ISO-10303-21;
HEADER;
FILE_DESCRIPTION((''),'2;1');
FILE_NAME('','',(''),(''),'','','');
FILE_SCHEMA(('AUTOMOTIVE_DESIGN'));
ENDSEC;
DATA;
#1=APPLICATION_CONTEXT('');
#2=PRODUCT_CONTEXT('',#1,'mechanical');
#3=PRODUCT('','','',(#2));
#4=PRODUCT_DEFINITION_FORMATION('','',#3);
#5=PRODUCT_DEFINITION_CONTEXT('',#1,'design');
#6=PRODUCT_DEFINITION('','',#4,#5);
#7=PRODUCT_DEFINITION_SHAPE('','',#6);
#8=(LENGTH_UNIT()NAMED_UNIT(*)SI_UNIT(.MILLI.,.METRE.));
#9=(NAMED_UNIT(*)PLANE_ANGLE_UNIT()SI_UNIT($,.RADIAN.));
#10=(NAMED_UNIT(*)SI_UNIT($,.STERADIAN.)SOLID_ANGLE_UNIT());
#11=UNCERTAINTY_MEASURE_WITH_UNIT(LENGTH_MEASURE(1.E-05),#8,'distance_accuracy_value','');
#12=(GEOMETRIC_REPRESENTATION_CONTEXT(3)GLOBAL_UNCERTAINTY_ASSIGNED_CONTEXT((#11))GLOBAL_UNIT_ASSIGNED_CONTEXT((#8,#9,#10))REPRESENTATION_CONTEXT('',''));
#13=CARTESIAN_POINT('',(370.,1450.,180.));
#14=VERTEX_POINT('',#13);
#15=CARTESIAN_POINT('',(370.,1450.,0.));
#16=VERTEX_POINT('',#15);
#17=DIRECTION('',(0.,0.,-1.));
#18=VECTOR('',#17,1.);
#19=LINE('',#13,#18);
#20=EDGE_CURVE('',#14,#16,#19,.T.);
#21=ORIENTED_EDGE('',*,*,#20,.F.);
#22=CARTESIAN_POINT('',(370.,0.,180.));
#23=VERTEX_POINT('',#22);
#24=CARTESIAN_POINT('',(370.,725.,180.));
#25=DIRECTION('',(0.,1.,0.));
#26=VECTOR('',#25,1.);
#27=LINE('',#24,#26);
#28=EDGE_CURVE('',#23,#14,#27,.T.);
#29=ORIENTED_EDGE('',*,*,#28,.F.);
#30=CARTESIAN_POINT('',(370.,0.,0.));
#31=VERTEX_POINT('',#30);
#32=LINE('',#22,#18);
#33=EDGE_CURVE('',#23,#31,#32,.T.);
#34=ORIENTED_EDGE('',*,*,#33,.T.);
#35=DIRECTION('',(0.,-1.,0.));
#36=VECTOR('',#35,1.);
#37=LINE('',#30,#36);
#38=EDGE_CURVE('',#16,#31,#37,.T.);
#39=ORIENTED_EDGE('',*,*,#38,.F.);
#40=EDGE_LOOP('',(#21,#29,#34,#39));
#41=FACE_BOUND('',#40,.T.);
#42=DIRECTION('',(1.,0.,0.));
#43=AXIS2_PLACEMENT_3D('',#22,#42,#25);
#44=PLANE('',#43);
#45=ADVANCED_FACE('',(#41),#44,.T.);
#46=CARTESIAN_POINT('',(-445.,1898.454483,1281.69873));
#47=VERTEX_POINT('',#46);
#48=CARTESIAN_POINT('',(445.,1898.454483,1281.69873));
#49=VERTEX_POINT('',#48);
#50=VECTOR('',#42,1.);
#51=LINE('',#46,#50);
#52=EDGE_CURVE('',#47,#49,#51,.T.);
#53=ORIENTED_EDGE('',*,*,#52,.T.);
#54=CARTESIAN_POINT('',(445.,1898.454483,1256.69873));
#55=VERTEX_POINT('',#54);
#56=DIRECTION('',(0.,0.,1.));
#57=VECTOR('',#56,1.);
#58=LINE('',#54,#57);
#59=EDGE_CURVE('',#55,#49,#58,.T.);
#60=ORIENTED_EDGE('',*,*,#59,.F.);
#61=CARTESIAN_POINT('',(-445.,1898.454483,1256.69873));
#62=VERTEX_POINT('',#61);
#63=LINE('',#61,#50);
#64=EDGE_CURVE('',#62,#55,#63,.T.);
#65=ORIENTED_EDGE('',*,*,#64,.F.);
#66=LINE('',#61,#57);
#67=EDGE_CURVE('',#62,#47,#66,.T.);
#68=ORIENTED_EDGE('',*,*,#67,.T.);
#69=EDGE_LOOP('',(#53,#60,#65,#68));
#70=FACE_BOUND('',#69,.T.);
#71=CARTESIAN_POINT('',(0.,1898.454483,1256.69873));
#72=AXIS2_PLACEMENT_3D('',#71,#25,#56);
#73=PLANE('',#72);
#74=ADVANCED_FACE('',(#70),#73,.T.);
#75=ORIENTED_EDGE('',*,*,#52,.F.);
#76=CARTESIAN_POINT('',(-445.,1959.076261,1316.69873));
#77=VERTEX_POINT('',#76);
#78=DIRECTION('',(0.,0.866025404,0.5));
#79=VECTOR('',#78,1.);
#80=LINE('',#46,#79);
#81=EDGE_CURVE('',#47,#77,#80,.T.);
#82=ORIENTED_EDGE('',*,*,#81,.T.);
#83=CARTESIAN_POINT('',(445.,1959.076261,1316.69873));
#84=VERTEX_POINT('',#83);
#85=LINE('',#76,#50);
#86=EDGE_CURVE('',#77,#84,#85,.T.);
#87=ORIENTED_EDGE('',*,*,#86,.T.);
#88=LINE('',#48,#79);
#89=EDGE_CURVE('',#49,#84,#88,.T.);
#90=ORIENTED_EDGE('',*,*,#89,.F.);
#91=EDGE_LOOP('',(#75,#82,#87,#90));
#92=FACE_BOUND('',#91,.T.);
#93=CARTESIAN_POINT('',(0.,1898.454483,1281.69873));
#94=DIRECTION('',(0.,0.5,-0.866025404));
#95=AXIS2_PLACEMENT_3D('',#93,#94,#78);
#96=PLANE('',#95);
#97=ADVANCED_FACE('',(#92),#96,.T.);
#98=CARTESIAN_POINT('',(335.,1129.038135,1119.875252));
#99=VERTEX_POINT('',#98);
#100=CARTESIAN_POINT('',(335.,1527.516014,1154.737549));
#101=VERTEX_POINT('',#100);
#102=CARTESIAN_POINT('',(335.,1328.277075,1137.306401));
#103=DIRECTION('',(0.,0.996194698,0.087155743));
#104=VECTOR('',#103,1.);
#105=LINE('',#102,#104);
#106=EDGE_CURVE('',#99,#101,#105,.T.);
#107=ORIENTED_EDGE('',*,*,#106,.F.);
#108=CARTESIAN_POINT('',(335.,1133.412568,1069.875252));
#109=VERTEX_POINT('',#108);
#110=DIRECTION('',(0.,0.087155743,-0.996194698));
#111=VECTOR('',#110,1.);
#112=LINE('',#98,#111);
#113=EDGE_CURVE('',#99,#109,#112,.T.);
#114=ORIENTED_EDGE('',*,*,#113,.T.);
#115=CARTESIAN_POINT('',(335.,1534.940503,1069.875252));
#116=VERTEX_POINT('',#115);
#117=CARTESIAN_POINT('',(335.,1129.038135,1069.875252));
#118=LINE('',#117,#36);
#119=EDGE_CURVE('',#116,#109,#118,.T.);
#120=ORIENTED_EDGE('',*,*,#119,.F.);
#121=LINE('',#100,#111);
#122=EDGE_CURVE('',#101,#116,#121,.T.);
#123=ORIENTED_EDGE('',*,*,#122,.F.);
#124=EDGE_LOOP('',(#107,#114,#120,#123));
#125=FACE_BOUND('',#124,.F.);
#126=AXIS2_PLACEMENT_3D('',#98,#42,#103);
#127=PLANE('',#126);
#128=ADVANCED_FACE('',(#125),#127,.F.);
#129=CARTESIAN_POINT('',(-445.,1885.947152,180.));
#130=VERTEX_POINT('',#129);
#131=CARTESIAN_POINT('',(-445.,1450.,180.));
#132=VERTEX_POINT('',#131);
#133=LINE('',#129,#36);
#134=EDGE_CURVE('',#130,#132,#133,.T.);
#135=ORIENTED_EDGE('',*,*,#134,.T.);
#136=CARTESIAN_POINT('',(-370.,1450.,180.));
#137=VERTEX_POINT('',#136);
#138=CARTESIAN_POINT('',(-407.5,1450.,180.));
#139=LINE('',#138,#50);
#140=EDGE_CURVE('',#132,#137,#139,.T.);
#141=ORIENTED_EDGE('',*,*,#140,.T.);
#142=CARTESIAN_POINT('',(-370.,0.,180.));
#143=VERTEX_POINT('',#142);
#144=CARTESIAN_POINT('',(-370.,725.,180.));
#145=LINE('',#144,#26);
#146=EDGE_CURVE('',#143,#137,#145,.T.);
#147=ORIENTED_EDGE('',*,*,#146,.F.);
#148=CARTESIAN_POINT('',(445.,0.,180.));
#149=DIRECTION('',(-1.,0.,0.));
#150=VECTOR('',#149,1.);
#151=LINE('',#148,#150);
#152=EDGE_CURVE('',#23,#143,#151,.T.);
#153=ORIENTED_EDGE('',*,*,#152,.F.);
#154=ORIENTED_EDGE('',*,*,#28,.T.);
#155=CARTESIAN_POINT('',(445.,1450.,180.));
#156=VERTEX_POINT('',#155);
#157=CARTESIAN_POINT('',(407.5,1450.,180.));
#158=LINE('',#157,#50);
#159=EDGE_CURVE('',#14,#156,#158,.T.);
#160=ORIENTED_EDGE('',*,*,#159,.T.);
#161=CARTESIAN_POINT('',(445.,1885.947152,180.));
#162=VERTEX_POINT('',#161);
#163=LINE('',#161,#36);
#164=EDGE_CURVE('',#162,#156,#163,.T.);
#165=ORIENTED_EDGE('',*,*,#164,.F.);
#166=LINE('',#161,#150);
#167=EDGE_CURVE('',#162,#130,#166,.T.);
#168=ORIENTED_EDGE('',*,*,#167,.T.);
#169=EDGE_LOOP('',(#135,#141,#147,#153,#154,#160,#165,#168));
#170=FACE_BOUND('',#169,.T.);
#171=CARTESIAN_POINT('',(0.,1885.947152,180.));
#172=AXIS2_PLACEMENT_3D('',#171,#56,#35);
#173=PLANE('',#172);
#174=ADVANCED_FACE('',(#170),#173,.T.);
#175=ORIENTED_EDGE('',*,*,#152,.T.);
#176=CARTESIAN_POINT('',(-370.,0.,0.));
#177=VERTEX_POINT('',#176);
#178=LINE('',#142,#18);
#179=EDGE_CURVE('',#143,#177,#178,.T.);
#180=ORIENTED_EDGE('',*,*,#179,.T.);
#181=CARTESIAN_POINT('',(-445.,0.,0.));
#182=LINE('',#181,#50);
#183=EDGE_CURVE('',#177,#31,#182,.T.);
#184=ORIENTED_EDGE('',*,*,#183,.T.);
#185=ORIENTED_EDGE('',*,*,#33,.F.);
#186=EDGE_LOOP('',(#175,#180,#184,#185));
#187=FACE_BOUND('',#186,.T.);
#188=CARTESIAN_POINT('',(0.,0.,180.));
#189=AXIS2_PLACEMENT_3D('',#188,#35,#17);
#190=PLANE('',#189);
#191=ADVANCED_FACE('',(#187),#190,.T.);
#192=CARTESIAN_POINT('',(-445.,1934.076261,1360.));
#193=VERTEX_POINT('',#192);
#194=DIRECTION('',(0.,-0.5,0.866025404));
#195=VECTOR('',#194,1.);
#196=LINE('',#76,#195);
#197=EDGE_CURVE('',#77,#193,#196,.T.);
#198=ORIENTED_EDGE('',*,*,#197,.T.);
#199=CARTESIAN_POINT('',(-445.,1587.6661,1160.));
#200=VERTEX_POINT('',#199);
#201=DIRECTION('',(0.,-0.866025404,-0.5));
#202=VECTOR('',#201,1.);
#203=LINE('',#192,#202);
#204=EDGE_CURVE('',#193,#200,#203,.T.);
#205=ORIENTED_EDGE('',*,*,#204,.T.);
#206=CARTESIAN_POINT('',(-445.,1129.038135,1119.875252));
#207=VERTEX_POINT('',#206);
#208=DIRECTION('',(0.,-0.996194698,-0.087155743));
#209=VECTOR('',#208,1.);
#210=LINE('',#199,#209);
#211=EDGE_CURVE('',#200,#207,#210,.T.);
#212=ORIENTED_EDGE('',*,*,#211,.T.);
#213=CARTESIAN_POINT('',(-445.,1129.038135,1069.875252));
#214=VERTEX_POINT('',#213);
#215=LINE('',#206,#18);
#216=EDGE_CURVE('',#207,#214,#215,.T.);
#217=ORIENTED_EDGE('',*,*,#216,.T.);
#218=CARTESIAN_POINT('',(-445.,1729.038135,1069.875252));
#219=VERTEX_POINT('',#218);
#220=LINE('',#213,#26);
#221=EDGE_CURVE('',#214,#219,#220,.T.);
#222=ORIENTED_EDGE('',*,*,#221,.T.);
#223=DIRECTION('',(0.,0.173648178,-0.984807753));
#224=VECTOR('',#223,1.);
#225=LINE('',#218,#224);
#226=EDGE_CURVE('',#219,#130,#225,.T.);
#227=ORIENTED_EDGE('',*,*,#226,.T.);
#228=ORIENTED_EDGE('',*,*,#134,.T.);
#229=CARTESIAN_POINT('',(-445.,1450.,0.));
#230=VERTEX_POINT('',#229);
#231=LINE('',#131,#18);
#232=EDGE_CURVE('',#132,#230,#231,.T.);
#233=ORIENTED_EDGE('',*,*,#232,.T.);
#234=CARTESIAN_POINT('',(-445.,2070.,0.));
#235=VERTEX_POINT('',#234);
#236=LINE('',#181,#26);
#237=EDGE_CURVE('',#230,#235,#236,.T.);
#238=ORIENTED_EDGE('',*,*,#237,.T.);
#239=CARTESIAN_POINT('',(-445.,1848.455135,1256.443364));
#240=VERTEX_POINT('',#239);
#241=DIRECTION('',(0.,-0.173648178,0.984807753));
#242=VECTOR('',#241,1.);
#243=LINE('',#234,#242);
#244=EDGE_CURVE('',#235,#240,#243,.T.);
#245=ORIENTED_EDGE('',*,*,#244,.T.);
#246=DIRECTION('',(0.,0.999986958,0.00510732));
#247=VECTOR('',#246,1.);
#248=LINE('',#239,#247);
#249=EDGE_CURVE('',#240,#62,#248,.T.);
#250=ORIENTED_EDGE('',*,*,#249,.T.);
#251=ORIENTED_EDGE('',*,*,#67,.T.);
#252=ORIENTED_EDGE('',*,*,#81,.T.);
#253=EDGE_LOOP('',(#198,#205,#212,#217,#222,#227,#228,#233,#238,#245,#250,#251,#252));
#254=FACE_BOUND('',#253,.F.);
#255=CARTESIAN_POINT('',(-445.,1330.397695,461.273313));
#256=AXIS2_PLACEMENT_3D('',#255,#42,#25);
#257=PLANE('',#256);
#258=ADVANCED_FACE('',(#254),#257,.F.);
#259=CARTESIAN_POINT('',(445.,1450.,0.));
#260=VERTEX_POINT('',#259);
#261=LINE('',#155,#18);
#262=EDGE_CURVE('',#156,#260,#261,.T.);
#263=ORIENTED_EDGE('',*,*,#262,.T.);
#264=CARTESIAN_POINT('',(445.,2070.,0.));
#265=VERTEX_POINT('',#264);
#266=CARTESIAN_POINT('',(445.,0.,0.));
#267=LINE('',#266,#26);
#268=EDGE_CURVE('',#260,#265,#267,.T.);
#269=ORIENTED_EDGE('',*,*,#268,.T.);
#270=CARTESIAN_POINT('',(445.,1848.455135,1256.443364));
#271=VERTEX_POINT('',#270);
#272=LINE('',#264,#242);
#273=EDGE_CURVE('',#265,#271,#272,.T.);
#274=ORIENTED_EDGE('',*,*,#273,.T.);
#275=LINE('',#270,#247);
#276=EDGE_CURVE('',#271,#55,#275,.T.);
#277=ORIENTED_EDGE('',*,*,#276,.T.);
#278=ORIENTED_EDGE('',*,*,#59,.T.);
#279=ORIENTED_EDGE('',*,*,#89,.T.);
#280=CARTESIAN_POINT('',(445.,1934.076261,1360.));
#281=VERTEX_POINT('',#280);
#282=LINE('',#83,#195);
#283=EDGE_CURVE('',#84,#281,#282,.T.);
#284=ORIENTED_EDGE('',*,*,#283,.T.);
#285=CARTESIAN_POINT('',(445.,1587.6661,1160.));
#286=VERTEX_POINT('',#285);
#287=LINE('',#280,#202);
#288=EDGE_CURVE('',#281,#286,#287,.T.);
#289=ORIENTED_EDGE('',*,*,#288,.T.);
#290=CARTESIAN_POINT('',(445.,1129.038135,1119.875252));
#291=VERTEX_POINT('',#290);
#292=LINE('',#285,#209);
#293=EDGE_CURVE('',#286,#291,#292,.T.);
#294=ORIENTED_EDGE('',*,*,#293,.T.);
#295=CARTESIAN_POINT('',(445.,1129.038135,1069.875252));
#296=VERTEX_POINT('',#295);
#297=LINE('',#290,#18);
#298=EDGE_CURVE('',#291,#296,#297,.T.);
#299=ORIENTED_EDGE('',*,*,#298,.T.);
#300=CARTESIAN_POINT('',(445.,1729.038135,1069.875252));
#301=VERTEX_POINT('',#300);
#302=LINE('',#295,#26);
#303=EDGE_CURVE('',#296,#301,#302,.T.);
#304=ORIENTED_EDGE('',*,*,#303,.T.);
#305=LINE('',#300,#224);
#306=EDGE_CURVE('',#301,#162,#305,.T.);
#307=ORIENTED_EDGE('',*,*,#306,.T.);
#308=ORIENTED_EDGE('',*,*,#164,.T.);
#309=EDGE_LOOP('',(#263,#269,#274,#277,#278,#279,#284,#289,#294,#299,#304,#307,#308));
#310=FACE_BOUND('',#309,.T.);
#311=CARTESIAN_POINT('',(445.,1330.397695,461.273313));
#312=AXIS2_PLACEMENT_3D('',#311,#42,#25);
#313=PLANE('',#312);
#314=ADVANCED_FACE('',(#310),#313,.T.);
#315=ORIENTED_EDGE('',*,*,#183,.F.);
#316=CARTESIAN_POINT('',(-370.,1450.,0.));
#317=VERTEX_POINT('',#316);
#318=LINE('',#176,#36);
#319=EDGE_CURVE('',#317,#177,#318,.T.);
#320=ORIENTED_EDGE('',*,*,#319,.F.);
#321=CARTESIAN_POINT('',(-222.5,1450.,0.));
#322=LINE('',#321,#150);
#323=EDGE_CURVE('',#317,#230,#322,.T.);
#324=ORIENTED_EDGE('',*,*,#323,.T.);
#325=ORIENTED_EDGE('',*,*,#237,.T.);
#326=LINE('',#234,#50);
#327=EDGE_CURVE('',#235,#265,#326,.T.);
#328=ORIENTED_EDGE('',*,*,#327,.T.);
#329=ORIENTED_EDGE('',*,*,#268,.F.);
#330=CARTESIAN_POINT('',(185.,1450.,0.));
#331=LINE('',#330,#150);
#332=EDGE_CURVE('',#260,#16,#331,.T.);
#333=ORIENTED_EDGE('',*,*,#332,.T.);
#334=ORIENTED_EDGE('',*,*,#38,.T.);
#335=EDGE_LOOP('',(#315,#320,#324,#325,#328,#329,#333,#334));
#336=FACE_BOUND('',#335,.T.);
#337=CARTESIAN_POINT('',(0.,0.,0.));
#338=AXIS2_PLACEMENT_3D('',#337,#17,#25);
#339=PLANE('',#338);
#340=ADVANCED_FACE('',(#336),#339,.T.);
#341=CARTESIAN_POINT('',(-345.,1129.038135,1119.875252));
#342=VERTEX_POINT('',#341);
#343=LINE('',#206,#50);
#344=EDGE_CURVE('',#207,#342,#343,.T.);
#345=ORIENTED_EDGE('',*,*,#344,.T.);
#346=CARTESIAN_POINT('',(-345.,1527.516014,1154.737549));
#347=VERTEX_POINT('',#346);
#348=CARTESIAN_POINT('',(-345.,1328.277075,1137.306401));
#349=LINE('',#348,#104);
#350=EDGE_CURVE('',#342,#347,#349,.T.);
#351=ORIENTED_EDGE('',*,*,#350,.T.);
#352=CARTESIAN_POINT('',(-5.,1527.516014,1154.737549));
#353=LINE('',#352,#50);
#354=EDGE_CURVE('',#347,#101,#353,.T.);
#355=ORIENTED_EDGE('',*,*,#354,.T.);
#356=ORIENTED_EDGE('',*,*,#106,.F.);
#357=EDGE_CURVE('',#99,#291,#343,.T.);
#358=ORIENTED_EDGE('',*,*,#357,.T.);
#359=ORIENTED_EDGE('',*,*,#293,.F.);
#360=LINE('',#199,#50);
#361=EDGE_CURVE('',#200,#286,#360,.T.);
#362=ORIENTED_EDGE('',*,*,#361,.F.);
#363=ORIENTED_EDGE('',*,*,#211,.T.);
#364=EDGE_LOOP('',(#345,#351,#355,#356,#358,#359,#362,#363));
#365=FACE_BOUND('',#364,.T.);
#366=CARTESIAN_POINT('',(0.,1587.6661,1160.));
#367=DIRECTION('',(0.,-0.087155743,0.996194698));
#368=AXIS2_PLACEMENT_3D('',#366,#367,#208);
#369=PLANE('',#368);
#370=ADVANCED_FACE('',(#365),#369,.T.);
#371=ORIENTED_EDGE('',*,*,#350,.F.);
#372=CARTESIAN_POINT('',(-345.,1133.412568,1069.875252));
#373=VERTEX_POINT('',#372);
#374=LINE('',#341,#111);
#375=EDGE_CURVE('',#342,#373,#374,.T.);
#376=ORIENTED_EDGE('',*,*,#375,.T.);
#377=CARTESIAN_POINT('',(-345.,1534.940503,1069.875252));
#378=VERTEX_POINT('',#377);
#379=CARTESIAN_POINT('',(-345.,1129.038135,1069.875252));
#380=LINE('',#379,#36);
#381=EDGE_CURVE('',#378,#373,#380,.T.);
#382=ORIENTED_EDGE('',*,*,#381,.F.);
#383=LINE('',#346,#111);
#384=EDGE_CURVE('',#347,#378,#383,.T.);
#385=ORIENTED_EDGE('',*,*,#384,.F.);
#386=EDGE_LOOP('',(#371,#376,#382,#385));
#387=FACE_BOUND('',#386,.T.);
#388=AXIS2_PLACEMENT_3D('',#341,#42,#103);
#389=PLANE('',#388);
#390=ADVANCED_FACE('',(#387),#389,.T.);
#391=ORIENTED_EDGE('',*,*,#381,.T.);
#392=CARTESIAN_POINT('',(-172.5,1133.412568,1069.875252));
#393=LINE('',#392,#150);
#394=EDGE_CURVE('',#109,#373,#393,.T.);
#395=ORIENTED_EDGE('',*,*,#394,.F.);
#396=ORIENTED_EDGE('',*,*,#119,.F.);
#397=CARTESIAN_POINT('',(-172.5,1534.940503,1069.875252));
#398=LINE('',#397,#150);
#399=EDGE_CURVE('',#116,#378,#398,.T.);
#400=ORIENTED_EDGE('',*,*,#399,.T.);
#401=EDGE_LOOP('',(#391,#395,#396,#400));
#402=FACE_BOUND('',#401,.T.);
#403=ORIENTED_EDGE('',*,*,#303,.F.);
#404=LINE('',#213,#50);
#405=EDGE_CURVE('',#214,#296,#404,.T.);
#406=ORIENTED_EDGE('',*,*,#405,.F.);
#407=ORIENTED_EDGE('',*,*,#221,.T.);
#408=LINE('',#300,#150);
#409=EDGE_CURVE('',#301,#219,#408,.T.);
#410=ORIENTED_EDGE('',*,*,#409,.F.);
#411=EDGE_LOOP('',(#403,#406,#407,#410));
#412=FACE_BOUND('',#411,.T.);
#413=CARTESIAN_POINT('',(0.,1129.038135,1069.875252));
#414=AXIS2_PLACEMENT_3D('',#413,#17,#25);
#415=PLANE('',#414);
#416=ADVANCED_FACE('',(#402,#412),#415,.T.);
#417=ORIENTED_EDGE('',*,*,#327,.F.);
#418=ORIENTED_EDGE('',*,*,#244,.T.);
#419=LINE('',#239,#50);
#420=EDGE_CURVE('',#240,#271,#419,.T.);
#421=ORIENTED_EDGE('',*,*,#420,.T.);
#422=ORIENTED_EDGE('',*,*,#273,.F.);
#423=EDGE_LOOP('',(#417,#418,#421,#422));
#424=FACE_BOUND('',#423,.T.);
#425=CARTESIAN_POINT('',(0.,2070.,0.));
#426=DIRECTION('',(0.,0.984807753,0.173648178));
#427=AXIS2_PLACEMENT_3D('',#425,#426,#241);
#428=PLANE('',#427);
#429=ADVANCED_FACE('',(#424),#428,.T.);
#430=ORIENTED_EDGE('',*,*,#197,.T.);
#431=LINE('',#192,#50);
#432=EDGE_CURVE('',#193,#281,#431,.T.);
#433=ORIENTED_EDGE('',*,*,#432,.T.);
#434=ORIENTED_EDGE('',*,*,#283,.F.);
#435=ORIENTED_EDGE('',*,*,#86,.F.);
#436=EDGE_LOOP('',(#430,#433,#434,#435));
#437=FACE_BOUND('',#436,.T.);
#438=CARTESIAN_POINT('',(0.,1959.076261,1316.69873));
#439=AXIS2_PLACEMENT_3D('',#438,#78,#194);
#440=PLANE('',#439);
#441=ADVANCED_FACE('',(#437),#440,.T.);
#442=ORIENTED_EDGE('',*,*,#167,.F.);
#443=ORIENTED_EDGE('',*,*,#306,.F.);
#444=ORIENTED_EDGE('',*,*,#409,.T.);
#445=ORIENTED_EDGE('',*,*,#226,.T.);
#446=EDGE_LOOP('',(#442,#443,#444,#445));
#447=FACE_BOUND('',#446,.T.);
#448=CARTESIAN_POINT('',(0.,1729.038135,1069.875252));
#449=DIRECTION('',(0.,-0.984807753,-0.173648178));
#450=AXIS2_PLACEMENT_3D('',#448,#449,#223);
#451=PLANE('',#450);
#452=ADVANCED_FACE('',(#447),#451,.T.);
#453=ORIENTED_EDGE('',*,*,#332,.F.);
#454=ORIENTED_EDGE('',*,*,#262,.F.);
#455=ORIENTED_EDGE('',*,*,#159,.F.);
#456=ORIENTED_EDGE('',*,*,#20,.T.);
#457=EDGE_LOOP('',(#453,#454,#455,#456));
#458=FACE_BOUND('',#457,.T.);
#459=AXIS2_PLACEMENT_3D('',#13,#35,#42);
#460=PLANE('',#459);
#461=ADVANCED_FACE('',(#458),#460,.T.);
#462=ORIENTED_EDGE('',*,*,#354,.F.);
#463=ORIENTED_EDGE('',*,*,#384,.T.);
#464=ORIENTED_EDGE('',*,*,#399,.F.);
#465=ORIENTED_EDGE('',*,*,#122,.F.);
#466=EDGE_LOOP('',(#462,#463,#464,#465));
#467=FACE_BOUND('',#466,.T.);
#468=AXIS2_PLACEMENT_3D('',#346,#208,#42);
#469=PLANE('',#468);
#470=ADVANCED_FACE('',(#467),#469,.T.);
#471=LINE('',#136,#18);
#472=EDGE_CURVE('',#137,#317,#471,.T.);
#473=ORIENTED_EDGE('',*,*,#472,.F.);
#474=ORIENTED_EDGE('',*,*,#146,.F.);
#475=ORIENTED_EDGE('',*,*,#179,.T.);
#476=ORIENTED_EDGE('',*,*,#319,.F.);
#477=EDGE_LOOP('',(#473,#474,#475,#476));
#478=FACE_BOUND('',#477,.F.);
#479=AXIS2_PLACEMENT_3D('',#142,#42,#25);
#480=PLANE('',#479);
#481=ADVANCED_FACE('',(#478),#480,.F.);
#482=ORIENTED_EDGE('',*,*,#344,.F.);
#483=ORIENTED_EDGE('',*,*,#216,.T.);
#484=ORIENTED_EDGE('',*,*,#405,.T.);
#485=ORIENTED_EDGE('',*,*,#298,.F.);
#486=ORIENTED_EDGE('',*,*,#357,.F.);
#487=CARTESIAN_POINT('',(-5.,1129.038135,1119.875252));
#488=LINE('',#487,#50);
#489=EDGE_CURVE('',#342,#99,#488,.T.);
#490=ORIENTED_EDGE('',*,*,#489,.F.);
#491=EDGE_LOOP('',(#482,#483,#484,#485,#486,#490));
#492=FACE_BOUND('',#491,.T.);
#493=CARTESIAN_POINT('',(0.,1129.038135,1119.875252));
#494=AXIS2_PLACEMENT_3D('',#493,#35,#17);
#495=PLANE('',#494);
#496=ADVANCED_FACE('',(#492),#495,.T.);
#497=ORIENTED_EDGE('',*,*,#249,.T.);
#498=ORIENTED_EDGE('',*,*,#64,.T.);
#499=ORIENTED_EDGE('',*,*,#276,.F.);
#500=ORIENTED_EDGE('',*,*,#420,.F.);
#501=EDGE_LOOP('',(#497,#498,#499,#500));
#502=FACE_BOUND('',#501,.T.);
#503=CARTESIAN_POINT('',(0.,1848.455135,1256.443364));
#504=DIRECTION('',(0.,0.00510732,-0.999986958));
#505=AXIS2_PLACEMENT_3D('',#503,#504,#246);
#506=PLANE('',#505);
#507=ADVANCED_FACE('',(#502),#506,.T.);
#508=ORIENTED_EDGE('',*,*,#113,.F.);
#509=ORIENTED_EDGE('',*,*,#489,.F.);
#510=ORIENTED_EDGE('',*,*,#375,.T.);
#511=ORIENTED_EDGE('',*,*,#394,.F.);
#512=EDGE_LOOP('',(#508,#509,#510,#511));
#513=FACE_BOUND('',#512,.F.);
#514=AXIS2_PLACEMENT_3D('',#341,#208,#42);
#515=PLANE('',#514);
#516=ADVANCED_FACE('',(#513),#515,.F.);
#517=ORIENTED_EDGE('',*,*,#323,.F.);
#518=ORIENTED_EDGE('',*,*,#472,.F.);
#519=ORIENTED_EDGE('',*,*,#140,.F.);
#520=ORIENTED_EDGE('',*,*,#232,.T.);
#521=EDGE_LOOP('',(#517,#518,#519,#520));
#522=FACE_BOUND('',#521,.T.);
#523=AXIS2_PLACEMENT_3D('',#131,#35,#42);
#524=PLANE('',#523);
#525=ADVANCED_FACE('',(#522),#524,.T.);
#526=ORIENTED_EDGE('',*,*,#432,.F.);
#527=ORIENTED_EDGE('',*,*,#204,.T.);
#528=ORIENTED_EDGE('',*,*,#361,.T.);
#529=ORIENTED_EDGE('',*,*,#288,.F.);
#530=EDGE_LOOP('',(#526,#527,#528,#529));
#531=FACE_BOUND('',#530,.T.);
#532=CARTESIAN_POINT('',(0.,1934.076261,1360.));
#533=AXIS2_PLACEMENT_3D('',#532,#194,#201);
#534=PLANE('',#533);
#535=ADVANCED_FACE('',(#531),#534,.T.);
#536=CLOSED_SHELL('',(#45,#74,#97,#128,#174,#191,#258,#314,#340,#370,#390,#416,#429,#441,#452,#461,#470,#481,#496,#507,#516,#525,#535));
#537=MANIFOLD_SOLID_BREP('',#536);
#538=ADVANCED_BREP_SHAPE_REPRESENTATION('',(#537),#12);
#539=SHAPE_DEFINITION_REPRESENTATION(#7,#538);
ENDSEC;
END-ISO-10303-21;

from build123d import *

# Parameters (mm, degrees)
F1_DEPTH = 445
F2_W     = 680
F2_H     = 400
F3_DEPTH = 86.1864572875
F4_W     = 75
F4_H     = 1450
F5_DEPTH = 180.001


with BuildPart() as f1:
    # F0 (on Right) → F1 (new body, symmetric)
    with BuildSketch(Plane.YZ):
        Polygon((0, 180), (0, 0), (2070, 0), (1848.4551352237, 1256.4433638354), (1898.4544831016, 1256.6987298108), (1898.4544831016, 1281.6987298108), (1959.0762613666, 1316.6987298108), (1934.0762613666, 1360), (1587.6660998528, 1160), (1129.0381352408, 1119.8752523205), (1129.0381352408, 1069.8752523205), (1729.0381352408, 1069.8752523205), (1885.9471516896, 180), align=None)
    extrude(amount=F1_DEPTH, both=True)

    # F2 (on face) → F3 (cut, up to face)
    with BuildSketch(Plane(origin=(0, -88.6558352853, 1013.3408342556), x_dir=(1, 0, 0), z_dir=(0, -0.0871557427, 0.9961946981))):
        with Locations((-5, 1422.3453636709)):
            Rectangle(F2_W, F2_H)
    extrude(amount=-F3_DEPTH, mode=Mode.SUBTRACT)

    # F4 (on face) → F5 (cut, through all)
    with BuildSketch(Plane.XY.offset(180)):
        with Locations((-407.5, 725)):
            Rectangle(F4_W, F4_H)
        with Locations((407.5, 725)):
            Rectangle(F4_W, F4_H)
    extrude(amount=-F5_DEPTH, mode=Mode.SUBTRACT)


solid = f1.part
